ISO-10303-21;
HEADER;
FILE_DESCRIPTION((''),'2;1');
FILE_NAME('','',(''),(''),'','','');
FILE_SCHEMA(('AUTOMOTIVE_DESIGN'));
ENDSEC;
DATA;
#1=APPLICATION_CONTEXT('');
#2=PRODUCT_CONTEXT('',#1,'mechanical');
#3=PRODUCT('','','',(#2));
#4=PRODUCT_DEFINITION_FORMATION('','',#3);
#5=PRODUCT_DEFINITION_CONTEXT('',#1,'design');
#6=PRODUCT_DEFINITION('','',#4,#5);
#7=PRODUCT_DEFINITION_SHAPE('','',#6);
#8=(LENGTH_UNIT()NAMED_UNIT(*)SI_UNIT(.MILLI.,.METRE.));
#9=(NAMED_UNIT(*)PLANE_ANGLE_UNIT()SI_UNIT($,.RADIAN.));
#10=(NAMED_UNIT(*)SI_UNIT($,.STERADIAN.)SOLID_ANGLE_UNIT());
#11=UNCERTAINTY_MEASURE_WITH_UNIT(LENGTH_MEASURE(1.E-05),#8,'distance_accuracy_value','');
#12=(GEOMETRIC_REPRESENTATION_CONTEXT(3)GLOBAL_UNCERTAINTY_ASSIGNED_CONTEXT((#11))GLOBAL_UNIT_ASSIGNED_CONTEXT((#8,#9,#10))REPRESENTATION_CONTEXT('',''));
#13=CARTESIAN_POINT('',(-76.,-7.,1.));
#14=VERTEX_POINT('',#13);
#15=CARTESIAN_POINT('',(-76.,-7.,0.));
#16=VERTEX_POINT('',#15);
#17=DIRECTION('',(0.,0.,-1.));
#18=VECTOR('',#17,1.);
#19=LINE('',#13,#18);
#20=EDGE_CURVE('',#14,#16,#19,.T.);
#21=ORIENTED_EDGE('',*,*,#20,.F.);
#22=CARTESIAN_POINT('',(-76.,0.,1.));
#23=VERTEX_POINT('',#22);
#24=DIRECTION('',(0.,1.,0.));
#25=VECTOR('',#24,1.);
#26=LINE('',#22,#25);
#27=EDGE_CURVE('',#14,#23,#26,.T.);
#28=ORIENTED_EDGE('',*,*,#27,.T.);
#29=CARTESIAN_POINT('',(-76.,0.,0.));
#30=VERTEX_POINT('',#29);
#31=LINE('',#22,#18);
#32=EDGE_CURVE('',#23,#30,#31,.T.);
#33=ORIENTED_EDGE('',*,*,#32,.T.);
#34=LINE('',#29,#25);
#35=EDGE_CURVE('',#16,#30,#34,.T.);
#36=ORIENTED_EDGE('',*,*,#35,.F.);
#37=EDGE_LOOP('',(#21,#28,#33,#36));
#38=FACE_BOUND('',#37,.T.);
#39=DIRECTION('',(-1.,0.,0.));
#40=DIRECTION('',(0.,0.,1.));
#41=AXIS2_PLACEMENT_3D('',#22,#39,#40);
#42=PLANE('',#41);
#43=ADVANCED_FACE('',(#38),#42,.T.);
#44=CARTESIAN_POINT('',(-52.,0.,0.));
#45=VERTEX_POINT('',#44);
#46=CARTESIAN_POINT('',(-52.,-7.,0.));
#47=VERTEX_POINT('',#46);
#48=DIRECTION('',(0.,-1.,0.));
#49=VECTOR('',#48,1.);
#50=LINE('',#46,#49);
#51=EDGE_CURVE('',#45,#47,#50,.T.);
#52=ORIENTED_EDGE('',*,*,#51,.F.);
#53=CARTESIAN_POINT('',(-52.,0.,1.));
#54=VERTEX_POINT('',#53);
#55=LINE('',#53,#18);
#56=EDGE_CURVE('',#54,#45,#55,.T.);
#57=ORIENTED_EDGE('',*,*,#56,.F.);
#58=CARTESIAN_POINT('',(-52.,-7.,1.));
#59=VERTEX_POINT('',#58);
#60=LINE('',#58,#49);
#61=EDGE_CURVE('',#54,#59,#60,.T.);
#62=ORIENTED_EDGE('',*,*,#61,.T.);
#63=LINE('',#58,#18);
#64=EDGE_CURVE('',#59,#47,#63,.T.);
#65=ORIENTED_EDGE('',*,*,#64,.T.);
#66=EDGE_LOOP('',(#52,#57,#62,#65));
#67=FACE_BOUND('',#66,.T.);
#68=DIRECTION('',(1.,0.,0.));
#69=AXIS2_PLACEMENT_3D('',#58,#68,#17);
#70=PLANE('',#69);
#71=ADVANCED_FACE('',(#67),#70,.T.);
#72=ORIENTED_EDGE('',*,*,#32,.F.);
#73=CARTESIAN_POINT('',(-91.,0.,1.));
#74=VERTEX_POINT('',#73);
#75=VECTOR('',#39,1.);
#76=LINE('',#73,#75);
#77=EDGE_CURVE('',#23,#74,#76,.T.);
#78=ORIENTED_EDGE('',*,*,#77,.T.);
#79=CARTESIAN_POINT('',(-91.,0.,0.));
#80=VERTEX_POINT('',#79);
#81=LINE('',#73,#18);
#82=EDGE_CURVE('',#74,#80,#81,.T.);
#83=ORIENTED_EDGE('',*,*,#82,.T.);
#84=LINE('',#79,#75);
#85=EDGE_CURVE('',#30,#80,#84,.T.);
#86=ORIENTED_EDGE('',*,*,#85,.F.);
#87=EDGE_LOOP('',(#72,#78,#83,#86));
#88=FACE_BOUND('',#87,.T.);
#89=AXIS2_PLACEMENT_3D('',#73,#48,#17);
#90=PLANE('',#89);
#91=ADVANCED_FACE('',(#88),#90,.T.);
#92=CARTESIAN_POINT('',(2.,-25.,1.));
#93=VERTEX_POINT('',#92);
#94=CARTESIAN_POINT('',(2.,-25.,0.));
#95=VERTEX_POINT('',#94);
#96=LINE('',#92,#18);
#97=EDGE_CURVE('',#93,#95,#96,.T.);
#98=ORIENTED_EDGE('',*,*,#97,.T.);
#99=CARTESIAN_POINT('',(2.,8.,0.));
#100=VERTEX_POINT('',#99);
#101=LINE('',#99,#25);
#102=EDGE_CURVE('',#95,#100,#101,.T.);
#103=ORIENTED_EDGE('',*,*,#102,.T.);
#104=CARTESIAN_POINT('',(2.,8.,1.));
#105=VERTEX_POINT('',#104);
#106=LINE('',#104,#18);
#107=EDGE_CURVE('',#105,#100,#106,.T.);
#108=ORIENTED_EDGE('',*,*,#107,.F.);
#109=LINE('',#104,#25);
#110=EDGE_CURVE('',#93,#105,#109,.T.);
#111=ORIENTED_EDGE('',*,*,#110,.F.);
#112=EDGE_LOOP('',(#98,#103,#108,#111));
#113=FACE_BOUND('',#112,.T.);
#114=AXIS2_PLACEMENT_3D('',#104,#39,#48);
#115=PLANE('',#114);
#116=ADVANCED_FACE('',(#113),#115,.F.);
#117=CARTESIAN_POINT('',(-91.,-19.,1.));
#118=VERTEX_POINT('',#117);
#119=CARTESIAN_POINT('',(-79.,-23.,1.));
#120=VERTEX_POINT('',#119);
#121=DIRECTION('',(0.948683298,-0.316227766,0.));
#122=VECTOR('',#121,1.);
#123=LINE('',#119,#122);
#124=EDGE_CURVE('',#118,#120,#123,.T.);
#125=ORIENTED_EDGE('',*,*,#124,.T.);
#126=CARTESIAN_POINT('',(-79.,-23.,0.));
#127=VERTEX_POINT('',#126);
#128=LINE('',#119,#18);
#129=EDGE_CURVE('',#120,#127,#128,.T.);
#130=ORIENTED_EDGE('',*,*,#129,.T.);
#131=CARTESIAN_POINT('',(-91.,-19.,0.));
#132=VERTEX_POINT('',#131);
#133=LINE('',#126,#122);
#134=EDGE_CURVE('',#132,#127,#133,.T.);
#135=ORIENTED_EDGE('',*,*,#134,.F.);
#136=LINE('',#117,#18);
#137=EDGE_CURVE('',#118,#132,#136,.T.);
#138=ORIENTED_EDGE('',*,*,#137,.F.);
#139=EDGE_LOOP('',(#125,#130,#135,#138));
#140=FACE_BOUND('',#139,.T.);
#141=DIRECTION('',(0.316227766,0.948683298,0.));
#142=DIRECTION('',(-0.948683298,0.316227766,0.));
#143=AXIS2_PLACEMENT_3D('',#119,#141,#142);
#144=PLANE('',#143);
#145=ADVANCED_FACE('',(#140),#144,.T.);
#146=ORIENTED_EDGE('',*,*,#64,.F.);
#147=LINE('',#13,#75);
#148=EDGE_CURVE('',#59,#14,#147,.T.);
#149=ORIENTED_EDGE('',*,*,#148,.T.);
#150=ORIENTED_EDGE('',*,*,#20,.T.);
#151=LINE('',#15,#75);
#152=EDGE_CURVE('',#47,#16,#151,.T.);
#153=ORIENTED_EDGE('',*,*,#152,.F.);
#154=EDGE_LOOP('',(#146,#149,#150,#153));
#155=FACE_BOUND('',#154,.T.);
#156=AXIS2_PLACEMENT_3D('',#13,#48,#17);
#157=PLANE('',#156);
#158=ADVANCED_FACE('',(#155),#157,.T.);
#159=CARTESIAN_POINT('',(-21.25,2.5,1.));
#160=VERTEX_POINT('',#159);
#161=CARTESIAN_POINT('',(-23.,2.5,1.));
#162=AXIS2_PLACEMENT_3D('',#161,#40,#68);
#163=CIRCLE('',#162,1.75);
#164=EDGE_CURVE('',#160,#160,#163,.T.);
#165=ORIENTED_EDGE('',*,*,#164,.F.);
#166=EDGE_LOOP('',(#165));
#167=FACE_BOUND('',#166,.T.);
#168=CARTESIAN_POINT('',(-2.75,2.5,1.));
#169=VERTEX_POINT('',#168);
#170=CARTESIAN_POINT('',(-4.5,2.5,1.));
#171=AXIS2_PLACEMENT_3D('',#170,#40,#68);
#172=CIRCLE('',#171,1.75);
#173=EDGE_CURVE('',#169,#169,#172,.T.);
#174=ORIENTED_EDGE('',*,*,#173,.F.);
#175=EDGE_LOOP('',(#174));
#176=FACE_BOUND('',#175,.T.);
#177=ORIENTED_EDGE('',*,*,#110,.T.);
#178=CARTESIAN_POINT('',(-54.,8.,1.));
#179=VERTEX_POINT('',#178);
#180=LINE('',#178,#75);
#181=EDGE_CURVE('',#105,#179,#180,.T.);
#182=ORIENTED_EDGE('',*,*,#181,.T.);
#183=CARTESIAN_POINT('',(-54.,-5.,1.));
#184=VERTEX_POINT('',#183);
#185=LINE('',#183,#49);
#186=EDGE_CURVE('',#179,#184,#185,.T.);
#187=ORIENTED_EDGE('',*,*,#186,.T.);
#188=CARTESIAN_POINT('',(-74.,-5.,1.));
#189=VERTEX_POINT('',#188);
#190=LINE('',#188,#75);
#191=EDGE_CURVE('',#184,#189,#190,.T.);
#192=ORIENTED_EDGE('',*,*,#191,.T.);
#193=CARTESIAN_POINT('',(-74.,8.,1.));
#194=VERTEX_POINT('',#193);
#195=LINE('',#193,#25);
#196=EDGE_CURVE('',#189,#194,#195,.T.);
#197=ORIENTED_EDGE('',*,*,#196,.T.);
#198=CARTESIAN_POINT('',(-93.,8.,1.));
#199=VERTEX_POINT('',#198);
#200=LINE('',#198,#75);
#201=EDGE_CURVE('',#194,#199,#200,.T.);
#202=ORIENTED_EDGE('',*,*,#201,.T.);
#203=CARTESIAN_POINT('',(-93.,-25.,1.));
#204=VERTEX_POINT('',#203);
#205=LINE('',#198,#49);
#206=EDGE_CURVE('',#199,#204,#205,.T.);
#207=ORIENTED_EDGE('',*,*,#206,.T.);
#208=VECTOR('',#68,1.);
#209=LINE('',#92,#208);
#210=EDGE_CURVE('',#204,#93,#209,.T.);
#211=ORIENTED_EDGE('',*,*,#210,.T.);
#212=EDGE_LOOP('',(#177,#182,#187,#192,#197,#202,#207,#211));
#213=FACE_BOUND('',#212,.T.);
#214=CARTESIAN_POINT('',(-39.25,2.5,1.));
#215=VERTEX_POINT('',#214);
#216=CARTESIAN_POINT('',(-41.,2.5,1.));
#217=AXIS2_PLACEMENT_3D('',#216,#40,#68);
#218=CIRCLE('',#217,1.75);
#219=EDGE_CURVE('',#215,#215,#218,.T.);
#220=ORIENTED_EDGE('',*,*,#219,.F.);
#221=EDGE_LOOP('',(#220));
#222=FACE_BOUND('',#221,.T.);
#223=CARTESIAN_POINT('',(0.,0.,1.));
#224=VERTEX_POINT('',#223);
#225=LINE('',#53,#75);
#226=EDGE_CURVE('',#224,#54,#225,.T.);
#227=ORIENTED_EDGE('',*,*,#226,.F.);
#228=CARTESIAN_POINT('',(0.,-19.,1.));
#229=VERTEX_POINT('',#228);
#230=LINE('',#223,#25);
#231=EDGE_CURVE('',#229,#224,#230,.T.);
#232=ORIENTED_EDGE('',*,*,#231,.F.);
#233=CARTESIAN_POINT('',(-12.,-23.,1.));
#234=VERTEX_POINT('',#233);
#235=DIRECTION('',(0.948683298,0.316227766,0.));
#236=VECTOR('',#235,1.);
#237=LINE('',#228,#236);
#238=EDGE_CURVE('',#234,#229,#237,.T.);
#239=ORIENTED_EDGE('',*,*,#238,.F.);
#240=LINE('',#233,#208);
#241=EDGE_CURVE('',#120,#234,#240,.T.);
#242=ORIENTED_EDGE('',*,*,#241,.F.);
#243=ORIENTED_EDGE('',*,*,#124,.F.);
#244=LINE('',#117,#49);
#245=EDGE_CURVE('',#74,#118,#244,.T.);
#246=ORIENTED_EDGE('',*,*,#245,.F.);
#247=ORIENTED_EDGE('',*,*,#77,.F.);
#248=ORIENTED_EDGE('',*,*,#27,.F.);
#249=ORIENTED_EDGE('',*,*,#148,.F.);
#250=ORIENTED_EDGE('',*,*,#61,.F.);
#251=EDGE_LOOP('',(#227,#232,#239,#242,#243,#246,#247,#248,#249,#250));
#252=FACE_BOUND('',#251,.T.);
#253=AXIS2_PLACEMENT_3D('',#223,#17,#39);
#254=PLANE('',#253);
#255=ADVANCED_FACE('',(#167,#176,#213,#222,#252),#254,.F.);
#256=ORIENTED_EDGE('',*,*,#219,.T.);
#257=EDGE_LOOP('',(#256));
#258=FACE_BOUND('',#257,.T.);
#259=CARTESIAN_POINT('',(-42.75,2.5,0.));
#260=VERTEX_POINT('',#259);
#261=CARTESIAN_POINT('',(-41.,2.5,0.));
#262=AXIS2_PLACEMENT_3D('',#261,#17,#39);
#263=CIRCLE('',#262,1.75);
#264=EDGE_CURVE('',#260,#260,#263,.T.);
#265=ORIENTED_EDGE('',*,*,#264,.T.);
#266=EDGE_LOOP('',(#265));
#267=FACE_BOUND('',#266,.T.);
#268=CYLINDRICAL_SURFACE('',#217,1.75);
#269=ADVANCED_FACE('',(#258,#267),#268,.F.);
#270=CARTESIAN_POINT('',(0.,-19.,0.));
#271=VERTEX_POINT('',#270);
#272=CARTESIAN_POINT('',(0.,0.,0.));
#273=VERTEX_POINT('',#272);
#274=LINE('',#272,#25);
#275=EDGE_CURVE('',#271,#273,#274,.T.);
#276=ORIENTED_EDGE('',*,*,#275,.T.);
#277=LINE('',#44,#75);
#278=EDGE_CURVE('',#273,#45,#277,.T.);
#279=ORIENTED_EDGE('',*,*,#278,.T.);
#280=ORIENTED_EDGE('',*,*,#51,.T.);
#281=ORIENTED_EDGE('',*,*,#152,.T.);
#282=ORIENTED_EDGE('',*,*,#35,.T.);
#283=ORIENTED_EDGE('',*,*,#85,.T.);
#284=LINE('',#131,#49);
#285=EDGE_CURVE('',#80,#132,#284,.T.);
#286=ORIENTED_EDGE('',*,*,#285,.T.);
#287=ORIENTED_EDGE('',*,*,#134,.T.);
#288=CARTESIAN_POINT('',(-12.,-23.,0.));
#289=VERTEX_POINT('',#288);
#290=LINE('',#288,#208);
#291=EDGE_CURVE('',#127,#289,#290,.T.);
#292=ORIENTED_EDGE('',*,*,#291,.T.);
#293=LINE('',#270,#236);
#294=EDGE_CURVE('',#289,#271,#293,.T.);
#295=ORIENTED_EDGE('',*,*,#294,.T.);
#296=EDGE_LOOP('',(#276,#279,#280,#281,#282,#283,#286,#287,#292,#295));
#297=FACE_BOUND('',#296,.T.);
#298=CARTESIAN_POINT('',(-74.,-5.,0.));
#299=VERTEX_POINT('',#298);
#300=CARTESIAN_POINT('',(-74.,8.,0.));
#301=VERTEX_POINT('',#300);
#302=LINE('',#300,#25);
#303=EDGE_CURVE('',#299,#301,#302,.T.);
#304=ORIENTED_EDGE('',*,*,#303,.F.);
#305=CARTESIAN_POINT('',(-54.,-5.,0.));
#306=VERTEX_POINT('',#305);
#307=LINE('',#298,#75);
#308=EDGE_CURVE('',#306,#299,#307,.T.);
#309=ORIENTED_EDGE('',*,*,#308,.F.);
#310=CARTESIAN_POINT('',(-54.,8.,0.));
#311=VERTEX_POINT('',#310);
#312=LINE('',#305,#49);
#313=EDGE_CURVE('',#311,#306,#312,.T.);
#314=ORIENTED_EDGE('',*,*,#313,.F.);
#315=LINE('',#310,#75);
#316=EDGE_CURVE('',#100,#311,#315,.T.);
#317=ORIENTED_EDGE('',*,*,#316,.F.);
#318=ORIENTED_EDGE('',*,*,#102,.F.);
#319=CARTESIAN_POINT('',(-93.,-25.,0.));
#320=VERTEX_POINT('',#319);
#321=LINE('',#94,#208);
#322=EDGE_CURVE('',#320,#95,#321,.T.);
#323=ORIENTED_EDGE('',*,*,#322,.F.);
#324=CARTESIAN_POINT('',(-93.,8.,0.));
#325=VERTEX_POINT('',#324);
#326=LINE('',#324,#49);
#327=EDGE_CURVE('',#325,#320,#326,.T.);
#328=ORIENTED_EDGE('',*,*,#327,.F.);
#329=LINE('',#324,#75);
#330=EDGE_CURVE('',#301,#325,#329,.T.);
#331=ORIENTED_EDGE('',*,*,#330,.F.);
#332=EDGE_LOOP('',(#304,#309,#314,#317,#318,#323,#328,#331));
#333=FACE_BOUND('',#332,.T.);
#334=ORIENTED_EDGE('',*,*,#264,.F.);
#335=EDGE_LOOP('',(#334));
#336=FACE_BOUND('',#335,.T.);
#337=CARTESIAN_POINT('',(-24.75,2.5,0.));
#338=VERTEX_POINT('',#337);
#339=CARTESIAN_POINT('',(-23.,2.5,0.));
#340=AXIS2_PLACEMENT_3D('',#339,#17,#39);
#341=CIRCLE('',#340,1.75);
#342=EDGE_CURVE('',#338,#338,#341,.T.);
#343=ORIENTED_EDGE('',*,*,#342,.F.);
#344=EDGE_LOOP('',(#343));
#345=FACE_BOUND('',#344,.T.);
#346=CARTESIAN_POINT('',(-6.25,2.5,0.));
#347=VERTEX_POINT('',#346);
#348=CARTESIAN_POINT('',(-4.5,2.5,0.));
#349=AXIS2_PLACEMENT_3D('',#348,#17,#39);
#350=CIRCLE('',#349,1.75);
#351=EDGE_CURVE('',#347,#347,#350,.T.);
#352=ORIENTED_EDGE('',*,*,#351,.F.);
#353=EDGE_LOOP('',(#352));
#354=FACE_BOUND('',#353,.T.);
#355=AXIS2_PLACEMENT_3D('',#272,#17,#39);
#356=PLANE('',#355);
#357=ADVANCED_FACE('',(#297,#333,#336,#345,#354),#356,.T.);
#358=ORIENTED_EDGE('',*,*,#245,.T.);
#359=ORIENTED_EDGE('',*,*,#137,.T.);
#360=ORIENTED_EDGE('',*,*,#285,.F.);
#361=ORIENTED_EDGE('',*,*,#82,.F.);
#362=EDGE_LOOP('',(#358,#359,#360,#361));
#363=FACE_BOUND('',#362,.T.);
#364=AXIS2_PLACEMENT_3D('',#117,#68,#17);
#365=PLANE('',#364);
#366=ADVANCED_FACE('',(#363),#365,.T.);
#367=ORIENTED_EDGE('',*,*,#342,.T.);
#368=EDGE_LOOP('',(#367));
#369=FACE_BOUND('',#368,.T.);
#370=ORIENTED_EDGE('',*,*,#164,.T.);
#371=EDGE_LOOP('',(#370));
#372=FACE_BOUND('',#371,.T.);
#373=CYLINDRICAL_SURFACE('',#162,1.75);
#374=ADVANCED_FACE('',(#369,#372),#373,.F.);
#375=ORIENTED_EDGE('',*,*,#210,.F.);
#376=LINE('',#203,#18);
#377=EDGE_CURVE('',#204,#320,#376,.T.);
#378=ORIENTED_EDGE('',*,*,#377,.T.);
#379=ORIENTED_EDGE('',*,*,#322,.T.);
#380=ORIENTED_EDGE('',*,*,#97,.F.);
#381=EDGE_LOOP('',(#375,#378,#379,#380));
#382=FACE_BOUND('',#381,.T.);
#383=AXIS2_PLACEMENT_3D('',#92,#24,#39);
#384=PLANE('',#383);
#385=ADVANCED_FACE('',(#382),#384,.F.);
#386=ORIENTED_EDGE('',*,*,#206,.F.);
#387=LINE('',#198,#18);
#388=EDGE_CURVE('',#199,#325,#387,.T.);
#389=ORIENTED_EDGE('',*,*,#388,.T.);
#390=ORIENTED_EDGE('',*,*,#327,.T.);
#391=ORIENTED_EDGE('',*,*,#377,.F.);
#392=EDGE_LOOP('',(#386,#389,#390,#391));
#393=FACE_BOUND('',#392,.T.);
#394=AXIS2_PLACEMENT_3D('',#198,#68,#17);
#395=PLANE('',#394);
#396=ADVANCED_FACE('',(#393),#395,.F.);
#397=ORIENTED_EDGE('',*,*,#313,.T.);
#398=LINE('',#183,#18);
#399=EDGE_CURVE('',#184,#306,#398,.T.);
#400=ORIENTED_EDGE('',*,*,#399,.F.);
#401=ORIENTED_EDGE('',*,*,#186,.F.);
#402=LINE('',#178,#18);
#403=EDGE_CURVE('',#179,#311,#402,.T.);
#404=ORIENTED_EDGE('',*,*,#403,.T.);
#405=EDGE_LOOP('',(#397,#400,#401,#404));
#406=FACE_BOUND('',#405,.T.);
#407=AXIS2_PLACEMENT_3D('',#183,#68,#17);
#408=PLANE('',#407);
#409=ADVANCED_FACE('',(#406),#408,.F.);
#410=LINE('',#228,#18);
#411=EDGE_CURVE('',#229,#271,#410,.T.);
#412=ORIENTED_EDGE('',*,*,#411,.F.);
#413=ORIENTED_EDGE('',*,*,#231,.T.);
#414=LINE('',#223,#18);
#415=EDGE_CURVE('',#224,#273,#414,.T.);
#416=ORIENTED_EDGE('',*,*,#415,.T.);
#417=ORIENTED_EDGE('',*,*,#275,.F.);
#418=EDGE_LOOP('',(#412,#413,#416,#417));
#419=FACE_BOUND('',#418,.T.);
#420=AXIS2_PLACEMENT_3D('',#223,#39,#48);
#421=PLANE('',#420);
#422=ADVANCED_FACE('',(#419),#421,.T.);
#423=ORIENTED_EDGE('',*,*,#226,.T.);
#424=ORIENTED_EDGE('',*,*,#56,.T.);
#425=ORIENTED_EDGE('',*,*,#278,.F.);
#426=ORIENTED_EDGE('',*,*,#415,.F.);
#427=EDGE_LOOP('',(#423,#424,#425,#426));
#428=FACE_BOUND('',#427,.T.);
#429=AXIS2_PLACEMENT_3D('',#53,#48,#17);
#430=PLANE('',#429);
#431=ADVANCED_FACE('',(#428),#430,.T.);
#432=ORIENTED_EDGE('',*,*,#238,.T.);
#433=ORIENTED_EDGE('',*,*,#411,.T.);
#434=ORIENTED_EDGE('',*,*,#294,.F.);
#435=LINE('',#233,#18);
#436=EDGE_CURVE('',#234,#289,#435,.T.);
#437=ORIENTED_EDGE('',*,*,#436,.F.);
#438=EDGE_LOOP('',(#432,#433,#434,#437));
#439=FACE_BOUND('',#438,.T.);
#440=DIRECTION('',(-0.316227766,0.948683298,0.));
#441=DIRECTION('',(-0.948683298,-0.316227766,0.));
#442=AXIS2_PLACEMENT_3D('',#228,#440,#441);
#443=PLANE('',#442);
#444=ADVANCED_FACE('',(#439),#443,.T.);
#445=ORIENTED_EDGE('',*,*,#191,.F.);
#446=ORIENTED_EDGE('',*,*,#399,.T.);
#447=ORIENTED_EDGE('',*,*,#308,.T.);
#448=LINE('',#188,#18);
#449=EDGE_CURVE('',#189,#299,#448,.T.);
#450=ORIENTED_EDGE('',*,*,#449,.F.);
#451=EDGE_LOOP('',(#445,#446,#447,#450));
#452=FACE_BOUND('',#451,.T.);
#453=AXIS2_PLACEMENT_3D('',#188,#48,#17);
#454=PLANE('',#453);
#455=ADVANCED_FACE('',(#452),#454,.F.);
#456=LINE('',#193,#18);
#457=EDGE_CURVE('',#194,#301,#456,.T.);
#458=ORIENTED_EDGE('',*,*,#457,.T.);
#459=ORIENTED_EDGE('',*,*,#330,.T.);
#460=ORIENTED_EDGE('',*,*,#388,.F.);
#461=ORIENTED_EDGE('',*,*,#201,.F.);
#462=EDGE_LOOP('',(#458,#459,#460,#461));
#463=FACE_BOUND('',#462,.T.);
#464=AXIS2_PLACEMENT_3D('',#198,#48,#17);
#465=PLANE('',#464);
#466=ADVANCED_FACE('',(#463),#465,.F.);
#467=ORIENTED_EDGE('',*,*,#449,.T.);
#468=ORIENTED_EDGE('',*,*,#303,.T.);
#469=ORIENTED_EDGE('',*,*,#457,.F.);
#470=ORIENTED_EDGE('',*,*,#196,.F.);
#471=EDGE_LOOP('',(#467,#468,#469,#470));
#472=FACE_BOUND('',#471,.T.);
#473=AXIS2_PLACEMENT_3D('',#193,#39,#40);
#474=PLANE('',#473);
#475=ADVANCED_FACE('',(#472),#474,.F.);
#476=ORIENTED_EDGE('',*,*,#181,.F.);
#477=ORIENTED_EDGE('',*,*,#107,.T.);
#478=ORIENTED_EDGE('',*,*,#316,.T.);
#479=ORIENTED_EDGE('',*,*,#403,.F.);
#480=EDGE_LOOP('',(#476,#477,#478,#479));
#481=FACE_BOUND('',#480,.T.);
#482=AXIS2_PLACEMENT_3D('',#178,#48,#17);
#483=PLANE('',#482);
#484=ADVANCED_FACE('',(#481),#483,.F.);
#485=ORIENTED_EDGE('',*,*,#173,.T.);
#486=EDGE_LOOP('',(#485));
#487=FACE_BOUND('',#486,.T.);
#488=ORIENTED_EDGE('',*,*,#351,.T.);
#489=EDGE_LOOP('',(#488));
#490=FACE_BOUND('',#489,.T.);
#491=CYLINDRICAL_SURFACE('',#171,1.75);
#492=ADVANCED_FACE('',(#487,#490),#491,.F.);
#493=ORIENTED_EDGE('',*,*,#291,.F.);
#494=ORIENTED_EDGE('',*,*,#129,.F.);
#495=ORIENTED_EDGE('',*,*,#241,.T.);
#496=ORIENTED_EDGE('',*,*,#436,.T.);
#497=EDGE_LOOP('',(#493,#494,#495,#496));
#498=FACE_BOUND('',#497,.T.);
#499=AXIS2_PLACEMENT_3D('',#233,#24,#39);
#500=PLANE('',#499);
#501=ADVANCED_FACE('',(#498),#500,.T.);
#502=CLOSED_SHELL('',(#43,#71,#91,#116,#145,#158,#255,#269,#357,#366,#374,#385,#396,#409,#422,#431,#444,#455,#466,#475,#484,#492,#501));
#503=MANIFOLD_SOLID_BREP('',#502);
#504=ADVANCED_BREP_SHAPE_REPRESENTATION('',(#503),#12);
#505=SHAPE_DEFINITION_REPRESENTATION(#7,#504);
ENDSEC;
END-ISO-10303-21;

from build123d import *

# Parameters (mm, degrees)
BOSS_EXTRUDE2_DEPTH   = 1
CUT_EXTRUDE2_DEPTH    = 1
F_3_0MM_DOWEL_HOLE1_D = 3.5


with BuildPart() as part:
    # Sketch2 → Boss-Extrude2 (new body)
    with BuildSketch(Plane.XY):
        Polygon((2, 8), (2, -25), (-93, -25), (-93, 8), (-74, 8), (-74, -5), (-54, -5), (-54, 8), align=None)
    extrude(amount=BOSS_EXTRUDE2_DEPTH)

    # Sketch1 → Cut-Extrude2 (cut)
    with BuildSketch(Plane.XY):
        Polygon((0, 0), (0, -19), (-12, -23), (-79, -23), (-91, -19), (-91, 0), (-76, 0), (-76, -7), (-52, -7), (-52, 0), align=None)
    extrude(amount=CUT_EXTRUDE2_DEPTH, mode=Mode.SUBTRACT)

    # Ø3.0mm Dowel Hole1 (through all)
    with Locations(Plane.XY.offset(1)):
        with Locations((-41, 2.5), (-23, 2.5), (-4.5, 2.5)):
            Hole(F_3_0MM_DOWEL_HOLE1_D / 2)


solid = part.part
